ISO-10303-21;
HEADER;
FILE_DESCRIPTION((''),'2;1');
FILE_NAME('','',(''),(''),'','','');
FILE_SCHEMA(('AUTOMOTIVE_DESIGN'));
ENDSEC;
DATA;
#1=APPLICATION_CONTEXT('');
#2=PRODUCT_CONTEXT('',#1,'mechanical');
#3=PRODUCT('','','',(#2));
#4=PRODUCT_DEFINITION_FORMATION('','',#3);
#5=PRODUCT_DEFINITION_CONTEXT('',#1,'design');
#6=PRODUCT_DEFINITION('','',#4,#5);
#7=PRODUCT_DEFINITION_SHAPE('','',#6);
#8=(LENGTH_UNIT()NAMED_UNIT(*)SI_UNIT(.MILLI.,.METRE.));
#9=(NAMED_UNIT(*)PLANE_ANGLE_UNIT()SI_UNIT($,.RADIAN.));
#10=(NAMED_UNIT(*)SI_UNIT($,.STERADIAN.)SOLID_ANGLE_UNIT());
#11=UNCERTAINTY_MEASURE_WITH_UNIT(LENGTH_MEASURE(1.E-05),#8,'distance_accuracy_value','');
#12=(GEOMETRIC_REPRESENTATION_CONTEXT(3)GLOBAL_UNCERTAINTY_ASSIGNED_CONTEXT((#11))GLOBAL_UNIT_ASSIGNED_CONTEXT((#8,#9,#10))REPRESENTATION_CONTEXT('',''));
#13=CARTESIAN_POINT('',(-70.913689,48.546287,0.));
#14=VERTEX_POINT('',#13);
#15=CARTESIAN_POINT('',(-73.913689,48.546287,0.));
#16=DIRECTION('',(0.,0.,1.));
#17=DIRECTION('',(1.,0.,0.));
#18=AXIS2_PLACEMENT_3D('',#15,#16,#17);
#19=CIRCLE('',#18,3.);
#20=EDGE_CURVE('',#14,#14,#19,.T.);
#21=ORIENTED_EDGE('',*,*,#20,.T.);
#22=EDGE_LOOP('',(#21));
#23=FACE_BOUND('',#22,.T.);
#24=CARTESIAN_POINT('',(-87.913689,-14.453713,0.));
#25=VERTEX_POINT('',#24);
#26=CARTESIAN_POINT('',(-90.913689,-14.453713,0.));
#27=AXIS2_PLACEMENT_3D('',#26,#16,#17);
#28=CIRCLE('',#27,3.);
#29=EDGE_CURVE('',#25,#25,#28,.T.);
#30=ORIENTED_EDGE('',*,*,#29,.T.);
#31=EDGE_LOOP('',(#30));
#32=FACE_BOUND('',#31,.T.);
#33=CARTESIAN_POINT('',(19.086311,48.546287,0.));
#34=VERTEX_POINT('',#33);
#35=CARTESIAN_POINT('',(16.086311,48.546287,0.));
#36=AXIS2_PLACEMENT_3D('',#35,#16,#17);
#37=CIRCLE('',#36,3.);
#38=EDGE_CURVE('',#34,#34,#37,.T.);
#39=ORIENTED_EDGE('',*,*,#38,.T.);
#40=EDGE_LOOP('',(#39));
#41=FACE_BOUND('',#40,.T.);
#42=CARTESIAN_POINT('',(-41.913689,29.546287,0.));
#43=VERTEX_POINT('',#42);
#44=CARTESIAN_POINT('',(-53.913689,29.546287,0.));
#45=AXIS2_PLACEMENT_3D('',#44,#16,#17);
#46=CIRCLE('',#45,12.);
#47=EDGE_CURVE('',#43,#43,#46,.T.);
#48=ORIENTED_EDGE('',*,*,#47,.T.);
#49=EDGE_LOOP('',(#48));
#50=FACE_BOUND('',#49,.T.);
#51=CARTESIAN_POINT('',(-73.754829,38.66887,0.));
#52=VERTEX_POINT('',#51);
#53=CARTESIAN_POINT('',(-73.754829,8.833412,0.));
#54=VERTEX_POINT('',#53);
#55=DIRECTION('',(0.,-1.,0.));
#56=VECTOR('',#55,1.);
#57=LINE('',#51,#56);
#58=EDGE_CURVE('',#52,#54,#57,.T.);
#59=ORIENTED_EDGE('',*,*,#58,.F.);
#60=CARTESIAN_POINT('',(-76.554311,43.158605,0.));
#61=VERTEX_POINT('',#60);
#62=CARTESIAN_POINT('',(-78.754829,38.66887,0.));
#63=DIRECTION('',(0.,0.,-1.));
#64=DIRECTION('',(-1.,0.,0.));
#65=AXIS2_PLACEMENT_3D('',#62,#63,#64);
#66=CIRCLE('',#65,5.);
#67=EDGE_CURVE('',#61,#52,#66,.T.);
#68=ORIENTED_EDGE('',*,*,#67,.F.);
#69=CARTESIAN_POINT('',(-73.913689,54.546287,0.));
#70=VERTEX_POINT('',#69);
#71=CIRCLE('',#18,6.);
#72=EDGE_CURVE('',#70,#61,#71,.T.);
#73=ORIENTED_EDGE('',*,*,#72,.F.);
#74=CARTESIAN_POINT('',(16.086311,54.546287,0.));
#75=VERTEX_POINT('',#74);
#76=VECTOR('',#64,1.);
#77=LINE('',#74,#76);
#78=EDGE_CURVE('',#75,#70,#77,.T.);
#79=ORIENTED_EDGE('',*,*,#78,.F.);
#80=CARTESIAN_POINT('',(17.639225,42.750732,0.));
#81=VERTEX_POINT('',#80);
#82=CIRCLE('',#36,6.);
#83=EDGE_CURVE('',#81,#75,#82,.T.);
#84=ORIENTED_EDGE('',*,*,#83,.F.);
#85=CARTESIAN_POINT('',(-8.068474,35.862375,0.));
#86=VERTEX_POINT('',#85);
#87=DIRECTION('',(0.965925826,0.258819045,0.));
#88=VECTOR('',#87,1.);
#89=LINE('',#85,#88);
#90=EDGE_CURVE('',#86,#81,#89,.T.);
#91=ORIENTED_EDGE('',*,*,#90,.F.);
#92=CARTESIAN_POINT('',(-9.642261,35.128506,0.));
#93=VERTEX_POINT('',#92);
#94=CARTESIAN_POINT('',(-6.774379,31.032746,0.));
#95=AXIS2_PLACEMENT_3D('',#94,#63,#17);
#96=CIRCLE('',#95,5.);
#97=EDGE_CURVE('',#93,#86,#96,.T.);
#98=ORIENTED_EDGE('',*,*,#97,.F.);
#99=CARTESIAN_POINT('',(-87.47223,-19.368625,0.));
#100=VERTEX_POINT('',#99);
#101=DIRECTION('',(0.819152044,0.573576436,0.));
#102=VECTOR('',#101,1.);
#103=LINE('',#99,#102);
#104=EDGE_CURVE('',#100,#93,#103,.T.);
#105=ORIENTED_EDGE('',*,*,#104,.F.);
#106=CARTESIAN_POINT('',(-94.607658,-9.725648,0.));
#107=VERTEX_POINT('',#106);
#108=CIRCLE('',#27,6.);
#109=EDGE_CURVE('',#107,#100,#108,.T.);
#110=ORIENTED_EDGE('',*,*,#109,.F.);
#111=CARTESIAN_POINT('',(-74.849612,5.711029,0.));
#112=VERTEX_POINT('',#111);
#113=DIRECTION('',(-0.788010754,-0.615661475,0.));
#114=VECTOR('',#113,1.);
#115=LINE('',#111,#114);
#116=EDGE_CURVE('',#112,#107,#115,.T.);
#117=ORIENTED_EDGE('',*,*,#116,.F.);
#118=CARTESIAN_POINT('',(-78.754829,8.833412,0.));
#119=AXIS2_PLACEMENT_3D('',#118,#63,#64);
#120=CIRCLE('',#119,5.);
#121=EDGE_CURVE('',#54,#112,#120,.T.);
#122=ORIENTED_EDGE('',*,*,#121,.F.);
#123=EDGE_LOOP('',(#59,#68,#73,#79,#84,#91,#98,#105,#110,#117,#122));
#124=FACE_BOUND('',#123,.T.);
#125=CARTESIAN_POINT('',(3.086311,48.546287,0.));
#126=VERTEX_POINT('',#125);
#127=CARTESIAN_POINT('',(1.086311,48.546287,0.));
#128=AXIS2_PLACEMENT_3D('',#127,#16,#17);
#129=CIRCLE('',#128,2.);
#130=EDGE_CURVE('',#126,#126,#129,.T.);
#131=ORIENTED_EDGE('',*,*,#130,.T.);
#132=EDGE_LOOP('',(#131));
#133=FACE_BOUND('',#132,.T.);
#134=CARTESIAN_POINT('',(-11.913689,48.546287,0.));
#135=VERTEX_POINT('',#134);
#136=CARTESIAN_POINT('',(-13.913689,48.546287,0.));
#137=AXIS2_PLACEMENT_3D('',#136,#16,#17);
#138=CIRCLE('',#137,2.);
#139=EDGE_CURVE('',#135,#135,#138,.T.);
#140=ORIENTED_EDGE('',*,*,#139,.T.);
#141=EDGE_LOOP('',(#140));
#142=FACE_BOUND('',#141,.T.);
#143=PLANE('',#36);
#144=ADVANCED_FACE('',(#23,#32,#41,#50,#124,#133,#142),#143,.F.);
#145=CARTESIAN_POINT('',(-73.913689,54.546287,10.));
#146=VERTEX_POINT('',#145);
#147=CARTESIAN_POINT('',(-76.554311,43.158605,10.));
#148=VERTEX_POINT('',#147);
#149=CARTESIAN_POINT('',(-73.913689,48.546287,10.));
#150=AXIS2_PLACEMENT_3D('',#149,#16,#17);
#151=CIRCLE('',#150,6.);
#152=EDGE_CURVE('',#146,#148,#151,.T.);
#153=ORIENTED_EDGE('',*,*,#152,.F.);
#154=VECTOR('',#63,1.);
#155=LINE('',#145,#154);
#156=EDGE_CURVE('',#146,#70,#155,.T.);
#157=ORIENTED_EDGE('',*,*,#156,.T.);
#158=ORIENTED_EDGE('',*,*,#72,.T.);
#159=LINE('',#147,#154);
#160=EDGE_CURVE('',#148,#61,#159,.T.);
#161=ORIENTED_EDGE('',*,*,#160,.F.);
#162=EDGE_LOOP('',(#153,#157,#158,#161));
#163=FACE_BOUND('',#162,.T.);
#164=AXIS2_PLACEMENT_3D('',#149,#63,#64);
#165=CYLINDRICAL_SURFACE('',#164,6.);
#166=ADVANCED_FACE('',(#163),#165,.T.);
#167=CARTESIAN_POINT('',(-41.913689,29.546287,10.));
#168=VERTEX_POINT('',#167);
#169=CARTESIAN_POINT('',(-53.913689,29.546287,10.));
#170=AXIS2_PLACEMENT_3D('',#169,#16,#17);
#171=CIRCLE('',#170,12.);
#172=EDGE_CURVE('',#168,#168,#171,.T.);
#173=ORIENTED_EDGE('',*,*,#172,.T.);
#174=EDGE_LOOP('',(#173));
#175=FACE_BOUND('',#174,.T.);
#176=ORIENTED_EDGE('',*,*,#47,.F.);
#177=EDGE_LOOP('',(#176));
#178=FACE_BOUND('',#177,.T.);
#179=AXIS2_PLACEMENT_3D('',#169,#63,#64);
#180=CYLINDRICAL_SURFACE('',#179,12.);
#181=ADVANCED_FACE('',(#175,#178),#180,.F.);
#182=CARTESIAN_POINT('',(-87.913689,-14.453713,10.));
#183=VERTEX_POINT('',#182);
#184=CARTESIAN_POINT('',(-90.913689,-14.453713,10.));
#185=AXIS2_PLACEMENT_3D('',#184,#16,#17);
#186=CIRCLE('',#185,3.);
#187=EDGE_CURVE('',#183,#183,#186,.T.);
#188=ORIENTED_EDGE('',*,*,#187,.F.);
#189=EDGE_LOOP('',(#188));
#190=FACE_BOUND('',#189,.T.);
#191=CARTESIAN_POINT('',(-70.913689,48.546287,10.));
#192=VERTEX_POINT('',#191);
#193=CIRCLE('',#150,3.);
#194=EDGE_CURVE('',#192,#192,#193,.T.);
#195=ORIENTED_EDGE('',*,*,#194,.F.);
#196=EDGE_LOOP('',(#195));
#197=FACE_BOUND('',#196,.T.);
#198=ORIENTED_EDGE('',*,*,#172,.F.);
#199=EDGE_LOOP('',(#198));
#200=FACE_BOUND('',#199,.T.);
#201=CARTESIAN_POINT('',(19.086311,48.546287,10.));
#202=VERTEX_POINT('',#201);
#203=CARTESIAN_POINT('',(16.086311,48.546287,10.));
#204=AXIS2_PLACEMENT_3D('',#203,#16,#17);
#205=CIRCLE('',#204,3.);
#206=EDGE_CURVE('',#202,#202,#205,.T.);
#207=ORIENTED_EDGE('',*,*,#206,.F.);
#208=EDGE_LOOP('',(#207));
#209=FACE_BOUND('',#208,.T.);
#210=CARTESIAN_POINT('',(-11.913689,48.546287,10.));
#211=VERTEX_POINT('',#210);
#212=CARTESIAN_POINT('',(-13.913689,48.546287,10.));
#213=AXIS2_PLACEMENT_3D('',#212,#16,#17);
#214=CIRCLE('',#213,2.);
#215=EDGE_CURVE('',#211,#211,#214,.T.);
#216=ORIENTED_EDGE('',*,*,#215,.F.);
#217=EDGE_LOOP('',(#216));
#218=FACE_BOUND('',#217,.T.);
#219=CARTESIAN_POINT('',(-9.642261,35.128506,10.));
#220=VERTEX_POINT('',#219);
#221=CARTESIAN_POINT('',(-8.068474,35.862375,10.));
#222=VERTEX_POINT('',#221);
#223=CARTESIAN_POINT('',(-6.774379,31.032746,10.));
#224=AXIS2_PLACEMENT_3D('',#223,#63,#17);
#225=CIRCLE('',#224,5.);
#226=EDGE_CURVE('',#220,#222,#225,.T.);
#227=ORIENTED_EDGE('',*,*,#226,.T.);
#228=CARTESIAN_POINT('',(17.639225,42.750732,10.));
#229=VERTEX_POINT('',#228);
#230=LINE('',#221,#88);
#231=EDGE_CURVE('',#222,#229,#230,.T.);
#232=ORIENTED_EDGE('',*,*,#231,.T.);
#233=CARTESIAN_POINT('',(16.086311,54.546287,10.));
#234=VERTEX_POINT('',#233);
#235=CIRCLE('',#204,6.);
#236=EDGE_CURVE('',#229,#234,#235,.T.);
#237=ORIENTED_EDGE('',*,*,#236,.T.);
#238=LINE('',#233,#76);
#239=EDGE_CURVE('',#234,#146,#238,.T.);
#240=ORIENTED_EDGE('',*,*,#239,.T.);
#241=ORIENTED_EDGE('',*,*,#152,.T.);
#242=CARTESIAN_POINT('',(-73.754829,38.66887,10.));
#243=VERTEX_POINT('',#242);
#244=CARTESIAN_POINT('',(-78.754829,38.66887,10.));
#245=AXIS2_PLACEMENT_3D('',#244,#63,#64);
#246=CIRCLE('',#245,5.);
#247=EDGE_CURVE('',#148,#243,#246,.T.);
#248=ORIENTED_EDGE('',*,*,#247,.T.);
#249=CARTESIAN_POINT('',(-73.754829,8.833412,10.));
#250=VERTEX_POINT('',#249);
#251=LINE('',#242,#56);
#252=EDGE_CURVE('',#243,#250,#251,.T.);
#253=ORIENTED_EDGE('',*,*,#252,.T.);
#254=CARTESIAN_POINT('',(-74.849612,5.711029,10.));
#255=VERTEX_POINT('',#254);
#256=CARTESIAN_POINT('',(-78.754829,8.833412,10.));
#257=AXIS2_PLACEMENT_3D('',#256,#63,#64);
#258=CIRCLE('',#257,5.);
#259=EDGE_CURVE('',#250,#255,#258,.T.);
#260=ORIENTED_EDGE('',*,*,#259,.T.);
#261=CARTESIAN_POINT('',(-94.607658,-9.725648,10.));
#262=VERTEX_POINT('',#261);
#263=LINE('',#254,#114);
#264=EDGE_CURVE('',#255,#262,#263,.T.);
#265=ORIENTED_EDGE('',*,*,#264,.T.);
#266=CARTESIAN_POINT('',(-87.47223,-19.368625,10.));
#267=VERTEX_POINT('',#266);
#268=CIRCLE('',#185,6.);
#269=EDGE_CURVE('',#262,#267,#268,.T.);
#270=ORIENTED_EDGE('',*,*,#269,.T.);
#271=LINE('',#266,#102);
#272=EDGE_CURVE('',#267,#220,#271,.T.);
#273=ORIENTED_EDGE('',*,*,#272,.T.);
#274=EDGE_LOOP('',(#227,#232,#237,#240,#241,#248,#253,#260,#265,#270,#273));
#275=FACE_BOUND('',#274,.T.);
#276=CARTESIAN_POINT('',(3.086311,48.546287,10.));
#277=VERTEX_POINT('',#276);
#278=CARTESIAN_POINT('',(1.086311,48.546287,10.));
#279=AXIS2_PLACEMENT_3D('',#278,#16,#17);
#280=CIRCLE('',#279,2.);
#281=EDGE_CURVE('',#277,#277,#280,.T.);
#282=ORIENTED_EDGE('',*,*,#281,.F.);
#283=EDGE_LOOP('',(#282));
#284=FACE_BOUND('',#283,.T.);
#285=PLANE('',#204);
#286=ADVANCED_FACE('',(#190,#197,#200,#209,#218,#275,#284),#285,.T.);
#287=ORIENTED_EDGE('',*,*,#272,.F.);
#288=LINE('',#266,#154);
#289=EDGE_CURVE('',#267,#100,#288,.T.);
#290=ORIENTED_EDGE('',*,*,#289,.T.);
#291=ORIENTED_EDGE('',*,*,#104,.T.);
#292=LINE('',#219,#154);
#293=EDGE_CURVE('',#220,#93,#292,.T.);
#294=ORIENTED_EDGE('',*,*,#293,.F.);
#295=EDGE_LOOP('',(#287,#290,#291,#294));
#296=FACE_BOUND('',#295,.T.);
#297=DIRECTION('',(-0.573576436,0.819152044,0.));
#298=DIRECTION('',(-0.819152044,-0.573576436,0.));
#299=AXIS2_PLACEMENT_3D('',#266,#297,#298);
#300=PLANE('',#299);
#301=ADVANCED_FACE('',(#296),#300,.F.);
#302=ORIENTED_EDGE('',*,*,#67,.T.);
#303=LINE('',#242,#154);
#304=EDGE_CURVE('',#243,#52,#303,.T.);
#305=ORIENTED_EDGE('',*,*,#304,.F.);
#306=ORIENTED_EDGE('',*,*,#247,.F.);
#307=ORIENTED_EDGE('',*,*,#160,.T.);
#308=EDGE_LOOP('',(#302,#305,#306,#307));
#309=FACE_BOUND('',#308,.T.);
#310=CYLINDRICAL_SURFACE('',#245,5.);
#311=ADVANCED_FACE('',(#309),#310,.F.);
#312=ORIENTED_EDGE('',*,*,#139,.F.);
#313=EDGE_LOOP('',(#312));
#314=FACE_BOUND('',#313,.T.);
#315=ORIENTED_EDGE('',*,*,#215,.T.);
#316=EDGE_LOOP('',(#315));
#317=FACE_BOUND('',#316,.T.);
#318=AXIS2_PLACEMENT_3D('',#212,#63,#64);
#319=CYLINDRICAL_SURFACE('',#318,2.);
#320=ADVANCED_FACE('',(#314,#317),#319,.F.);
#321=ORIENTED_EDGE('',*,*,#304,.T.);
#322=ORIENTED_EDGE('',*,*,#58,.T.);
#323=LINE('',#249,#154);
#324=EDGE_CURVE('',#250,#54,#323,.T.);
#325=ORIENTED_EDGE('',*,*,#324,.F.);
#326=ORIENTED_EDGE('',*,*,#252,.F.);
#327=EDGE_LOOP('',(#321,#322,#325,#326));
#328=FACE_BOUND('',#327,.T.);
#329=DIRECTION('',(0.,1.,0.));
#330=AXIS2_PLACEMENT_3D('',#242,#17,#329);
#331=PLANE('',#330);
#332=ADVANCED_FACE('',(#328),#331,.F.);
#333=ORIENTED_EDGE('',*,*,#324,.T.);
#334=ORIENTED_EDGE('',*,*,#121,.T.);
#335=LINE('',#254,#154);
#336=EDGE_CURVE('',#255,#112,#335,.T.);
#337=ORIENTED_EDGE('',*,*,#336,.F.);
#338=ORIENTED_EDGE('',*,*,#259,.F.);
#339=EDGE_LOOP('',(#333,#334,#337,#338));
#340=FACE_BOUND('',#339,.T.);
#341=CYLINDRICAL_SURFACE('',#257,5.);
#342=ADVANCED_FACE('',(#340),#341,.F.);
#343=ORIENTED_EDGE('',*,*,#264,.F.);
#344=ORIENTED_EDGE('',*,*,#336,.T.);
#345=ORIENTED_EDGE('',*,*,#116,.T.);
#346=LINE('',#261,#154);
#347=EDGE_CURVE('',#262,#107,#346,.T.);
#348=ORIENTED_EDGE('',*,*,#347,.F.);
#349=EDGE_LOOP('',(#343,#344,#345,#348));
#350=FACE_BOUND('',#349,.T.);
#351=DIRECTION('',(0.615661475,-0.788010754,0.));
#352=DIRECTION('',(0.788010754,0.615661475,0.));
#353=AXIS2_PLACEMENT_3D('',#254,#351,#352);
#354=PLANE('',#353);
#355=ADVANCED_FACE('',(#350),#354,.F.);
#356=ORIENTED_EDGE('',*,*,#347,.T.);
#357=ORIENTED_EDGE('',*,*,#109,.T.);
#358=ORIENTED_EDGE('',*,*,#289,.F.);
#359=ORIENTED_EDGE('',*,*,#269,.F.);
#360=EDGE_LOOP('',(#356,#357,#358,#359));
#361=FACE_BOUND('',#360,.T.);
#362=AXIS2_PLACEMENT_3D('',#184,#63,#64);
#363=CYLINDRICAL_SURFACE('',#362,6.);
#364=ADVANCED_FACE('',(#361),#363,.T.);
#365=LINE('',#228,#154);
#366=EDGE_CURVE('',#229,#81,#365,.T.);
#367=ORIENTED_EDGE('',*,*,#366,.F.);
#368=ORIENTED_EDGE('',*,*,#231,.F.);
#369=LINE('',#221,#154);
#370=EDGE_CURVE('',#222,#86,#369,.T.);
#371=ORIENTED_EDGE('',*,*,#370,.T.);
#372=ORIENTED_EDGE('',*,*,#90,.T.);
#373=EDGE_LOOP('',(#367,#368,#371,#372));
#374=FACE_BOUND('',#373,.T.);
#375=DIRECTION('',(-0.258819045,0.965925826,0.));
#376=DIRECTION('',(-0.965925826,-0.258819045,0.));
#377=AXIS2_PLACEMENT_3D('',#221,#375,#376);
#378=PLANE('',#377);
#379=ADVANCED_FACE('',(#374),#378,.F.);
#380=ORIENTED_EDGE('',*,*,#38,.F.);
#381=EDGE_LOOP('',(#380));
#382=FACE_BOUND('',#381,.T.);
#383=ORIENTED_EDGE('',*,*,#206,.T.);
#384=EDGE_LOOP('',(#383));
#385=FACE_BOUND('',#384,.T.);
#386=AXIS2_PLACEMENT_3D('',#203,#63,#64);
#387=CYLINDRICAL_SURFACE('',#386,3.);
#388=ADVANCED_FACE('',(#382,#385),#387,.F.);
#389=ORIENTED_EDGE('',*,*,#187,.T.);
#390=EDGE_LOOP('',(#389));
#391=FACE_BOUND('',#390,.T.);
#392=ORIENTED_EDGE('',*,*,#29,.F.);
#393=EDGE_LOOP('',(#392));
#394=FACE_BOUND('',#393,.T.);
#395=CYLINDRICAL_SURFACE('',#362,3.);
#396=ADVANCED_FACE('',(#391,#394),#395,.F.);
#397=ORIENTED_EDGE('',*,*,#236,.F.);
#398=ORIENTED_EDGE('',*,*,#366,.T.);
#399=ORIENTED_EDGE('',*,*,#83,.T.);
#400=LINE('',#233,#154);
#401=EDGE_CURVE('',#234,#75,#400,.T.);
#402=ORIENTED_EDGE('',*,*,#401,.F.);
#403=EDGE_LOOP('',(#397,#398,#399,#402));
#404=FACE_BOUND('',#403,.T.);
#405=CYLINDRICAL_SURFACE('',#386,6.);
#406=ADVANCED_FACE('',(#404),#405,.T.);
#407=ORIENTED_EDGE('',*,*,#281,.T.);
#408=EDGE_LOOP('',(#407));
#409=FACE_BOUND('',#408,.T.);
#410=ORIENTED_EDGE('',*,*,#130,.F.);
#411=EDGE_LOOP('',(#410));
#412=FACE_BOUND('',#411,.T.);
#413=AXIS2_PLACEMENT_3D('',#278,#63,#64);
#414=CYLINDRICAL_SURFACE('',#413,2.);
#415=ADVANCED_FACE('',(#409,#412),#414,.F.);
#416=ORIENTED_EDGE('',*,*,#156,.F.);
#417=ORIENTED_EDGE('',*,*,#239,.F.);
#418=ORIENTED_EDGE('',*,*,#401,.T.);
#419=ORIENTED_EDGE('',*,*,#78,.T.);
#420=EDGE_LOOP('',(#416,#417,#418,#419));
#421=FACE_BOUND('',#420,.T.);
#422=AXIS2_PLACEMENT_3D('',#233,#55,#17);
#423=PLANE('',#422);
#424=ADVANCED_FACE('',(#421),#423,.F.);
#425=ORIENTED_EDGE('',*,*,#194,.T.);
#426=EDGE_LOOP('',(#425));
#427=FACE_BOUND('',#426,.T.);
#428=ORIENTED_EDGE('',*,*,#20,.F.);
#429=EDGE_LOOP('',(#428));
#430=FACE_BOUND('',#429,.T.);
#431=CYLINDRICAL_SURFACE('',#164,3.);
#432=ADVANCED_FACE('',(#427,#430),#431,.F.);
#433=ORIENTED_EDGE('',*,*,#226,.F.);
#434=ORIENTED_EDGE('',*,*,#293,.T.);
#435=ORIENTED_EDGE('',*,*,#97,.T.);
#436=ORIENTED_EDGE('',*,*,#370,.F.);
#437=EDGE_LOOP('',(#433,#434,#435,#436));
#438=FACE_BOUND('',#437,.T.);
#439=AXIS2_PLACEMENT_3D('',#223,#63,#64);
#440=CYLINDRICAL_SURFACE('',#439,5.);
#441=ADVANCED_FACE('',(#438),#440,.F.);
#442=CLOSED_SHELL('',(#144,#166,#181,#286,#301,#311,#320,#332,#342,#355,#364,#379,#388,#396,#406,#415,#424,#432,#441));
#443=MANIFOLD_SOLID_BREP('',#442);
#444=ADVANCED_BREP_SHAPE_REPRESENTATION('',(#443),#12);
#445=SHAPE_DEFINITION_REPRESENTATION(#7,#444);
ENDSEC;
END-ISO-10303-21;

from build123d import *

# Parameters (mm, degrees)
SKETCH2_R           = 3
SKETCH2_R_2         = 2
SKETCH2_R_3         = 12
BOSS_EXTRUDE1_DEPTH = 10


with BuildPart() as part:
    # Sketch2 → Boss-Extrude1 (new body)
    with BuildSketch(Plane.XY):
        with BuildLine():
            Line((16.086311, 54.546287057), (-73.913689, 54.546287057))
            ThreePointArc((-73.913689, 54.546287057), (-79.758605223, 49.901629949), (-76.554310886, 43.158605175))
            ThreePointArc((-76.554310886, 43.158605175), (-74.512035752, 41.314376729), (-73.754829124, 38.668870274))
            Line((-73.754829124, 38.668870274), (-73.754829124, 8.833412185))
            ThreePointArc((-73.754829124, 8.833412185), (-74.03645611, 7.179037348), (-74.849611564, 5.711029151))
            Line((-74.849611564, 5.711029151), (-94.607657852, -9.725648422))
            ThreePointArc((-94.607657852, -9.725648422), (-95.736830164, -18.022649664), (-87.472230382, -19.368625209))
            Line((-87.472230382, -19.368625209), (-9.642261307, 35.128505836))
            ThreePointArc((-9.642261307, 35.128505836), (-8.887470434, 35.56428455), (-8.06847435, 35.862374746))
            Line((-8.06847435, 35.862374746), (17.63922527, 42.750732099))
            ThreePointArc((17.63922527, 42.750732099), (22.034980168, 49.32944421), (16.086311, 54.546287057))
        make_face()
        with Locations((16.086311, 48.546287057)):
            Circle(SKETCH2_R, mode=Mode.SUBTRACT)
        with Locations((1.086311, 48.546287057)):
            Circle(SKETCH2_R_2, mode=Mode.SUBTRACT)
        with Locations((-13.913689, 48.546287057)):
            Circle(SKETCH2_R_2, mode=Mode.SUBTRACT)
        with Locations((-73.913689, 48.546287057)):
            Circle(SKETCH2_R, mode=Mode.SUBTRACT)
        with Locations((-90.913689, -14.453712943)):
            Circle(SKETCH2_R, mode=Mode.SUBTRACT)
        with Locations((-53.913689, 29.546287057)):
            Circle(SKETCH2_R_3, mode=Mode.SUBTRACT)
    extrude(amount=BOSS_EXTRUDE1_DEPTH)


solid = part.part
